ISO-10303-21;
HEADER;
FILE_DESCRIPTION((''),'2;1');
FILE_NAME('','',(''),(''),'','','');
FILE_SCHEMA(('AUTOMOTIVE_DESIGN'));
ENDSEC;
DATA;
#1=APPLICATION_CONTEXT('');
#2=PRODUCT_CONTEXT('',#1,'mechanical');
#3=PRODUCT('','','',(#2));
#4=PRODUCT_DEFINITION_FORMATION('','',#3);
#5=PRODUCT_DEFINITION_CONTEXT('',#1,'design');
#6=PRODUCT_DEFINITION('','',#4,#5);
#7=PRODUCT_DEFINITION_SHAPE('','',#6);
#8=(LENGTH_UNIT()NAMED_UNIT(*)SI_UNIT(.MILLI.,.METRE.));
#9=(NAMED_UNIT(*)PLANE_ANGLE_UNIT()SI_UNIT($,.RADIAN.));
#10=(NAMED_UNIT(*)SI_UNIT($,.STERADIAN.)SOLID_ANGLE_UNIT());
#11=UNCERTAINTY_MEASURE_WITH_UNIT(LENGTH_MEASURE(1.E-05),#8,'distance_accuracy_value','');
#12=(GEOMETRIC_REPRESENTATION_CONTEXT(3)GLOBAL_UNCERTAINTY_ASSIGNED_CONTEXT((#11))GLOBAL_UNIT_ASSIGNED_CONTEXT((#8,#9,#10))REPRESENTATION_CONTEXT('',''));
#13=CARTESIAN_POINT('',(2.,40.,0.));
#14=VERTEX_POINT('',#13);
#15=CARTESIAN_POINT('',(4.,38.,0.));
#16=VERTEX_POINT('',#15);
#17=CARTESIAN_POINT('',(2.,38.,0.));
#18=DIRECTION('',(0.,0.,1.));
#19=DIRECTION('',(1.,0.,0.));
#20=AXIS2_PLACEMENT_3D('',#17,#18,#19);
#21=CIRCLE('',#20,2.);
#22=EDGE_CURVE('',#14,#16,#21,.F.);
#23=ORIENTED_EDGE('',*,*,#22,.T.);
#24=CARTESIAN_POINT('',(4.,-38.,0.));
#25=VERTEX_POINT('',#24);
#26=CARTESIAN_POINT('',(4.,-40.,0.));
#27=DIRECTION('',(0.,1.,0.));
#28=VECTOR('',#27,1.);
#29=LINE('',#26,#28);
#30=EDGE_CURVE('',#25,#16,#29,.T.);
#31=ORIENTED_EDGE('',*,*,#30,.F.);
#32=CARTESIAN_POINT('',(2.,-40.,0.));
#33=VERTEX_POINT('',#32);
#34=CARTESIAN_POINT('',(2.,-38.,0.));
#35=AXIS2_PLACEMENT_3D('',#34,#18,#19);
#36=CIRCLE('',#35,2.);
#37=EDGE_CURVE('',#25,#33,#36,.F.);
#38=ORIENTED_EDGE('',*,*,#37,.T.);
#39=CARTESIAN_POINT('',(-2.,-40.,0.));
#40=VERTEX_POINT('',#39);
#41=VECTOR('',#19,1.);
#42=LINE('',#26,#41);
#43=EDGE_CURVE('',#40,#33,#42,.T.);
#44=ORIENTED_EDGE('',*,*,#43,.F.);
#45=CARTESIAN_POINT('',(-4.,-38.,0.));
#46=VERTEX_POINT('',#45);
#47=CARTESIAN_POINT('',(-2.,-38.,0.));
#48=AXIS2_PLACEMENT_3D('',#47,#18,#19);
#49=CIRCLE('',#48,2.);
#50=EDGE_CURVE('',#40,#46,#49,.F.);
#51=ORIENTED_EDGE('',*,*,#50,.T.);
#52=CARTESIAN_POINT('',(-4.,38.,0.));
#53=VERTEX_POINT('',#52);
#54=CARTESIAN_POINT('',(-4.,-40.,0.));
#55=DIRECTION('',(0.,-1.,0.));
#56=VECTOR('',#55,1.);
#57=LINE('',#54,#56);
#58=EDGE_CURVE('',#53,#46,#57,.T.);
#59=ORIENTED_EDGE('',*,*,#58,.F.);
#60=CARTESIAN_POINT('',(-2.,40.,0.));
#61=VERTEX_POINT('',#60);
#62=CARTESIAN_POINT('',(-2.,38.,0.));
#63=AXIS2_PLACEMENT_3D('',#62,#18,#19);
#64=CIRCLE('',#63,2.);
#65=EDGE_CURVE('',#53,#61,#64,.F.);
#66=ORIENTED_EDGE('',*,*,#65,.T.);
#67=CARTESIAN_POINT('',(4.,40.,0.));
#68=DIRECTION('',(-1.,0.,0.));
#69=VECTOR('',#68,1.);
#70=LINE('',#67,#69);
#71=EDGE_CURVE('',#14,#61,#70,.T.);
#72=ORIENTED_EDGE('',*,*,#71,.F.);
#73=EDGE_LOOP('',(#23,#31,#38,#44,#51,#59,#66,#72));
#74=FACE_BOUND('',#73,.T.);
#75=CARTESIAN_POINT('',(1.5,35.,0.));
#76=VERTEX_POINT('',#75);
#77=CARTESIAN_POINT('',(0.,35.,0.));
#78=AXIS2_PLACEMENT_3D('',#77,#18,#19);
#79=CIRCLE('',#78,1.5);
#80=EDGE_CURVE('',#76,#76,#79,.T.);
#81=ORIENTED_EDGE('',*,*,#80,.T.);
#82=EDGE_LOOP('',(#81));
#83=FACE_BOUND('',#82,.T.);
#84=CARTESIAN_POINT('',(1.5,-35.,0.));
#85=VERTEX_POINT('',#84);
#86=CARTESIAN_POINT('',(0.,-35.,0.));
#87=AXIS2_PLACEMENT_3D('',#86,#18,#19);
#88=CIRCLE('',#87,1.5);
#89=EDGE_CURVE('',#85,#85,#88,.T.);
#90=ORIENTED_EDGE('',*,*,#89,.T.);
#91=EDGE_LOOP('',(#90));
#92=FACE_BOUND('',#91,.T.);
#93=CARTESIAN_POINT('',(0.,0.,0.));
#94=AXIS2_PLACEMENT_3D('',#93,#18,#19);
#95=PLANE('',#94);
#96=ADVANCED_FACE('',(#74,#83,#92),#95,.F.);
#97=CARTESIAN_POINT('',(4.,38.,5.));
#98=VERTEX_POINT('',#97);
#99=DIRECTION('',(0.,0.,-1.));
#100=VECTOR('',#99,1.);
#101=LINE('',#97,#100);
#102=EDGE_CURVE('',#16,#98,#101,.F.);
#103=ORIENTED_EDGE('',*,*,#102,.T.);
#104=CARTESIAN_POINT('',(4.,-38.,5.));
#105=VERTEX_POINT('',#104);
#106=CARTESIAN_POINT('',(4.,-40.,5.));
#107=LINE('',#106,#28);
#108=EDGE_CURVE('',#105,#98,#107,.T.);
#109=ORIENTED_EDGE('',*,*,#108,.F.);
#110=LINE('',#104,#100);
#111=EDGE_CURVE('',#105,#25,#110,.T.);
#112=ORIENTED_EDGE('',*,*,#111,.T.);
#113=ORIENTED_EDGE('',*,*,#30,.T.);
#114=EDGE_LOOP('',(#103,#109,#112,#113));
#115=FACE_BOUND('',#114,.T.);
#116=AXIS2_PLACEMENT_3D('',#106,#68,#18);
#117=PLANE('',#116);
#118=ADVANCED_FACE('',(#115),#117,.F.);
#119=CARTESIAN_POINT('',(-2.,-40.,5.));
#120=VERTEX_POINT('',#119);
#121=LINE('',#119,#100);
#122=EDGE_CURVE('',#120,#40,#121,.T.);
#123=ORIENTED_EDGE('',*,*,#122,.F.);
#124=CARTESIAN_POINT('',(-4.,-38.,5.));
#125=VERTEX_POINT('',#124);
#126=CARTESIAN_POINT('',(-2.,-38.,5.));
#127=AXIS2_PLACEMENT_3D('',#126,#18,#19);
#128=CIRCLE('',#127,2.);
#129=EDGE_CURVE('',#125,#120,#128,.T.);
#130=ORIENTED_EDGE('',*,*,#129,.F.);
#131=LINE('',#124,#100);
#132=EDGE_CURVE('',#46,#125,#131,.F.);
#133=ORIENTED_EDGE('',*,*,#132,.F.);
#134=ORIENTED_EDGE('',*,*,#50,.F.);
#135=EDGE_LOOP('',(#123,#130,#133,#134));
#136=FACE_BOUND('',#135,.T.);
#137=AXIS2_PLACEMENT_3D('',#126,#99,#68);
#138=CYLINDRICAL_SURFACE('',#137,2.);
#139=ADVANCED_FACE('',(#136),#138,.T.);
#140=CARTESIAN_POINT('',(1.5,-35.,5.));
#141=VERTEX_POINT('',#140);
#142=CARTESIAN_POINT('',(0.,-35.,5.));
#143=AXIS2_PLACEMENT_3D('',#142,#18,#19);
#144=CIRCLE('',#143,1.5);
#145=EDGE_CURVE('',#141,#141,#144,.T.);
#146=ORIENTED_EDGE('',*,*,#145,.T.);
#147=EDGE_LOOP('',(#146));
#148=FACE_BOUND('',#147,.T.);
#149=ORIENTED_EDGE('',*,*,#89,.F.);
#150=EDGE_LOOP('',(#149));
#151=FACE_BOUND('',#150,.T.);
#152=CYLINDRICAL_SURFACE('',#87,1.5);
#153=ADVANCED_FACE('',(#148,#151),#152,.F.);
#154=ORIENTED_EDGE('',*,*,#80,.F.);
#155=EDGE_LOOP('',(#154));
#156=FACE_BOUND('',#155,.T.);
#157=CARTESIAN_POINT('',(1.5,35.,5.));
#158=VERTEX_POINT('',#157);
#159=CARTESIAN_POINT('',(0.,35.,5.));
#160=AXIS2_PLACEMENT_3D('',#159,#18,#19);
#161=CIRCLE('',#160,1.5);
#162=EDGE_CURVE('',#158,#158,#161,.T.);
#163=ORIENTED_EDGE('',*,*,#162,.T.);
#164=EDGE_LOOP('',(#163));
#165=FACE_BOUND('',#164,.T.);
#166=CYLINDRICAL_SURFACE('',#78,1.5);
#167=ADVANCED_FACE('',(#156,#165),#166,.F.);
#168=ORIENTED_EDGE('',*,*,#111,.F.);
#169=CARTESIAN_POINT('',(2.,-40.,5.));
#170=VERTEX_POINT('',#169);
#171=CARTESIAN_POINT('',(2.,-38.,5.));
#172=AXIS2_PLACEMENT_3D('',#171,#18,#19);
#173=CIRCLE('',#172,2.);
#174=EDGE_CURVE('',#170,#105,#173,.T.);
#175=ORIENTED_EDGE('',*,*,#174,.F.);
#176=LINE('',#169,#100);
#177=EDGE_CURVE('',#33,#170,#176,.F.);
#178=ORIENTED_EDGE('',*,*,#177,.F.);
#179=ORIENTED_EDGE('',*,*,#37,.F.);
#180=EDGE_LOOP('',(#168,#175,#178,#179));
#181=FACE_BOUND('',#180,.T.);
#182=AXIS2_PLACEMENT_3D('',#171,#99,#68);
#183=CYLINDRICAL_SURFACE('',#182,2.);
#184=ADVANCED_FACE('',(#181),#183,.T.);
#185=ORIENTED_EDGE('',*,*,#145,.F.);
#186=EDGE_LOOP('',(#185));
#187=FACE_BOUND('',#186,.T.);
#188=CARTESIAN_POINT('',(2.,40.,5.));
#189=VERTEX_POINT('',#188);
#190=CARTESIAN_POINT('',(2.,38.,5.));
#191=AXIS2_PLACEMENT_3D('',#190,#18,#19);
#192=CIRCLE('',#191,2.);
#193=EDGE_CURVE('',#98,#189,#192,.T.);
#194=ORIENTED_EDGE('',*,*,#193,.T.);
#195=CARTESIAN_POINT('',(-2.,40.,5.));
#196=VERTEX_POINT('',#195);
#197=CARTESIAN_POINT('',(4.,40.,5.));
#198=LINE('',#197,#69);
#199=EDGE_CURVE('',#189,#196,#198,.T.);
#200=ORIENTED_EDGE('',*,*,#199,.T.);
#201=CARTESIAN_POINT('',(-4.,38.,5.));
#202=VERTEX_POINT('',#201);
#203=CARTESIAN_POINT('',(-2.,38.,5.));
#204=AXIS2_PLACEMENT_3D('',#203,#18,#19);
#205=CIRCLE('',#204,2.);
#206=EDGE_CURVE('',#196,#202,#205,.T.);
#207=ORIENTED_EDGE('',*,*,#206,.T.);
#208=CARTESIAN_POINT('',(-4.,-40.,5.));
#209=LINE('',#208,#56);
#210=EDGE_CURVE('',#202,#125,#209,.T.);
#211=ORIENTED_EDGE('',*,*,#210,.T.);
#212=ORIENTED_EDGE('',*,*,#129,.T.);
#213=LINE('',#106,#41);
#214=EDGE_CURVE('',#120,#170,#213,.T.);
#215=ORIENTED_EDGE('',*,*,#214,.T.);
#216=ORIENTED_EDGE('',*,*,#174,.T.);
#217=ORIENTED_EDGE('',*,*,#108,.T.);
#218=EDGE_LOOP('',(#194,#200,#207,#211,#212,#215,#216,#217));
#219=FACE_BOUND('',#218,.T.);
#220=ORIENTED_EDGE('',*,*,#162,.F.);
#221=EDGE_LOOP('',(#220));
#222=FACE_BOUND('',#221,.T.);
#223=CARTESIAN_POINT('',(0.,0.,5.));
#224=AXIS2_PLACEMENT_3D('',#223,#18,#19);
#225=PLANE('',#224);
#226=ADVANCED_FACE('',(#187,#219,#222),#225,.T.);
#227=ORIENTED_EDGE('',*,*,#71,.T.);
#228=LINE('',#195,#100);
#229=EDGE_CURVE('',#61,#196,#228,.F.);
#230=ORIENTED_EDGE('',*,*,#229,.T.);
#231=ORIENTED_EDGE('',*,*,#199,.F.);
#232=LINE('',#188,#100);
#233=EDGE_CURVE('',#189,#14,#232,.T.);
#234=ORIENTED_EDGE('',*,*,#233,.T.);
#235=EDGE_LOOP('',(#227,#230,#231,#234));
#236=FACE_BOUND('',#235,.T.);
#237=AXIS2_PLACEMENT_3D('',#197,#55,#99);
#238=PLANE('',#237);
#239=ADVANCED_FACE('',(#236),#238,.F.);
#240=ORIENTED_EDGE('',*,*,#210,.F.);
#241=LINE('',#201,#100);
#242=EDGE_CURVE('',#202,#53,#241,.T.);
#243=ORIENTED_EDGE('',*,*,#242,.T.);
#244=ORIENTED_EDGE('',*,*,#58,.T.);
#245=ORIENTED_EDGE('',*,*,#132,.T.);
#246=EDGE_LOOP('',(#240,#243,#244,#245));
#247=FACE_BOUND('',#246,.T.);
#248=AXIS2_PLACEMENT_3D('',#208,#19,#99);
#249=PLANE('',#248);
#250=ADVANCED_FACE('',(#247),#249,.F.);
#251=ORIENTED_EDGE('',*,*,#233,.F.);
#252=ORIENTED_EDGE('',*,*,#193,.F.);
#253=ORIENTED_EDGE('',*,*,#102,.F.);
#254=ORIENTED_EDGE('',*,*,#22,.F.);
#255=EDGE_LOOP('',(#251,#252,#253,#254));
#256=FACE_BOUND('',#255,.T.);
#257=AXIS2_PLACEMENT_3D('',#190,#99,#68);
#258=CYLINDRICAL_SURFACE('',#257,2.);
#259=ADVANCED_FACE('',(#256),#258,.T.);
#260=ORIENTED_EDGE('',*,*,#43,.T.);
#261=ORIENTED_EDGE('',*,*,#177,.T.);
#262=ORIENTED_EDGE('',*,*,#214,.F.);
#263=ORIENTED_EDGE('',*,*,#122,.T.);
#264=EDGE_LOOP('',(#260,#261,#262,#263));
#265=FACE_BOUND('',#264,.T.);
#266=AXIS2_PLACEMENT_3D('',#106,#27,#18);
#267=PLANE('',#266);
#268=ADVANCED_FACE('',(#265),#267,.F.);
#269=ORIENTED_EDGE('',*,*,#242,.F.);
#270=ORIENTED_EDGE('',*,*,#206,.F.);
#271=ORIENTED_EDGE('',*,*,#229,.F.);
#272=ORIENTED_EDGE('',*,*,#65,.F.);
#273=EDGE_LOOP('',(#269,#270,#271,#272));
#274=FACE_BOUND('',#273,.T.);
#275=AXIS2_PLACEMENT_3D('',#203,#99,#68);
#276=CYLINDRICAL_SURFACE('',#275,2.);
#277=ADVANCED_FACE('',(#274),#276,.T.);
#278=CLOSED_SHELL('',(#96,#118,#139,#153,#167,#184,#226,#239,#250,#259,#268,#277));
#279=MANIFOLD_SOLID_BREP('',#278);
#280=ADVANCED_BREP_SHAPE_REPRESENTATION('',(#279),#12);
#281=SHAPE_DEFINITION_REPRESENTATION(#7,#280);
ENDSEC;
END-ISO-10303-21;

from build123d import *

# Parameters (mm, degrees)
SKETCH_1_W          = 8
SKETCH_1_H          = 80
EXTRUDE_1_DEPTH     = 5
SKETCH_2_R          = 1.5
CUT_EXTRUDE_1_DEPTH = 41.509258201
FILLET_1_R          = 2


with BuildPart() as part:
    # 草图1 → 凸台-拉伸1 (new body)
    with BuildSketch(Plane.XY):
        Rectangle(SKETCH_1_W, SKETCH_1_H)
    extrude(amount=EXTRUDE_1_DEPTH)

    # 草图2 → 切除-拉伸1 (cut, through all)
    with BuildSketch(Plane.XY.offset(5)):
        with Locations((0, 35)):
            Circle(SKETCH_2_R)
        with Locations((0, -35)):
            Circle(SKETCH_2_R)
    extrude(amount=-CUT_EXTRUDE_1_DEPTH, mode=Mode.SUBTRACT)

    # 圆角1
    fillet_1_edges = [part.edges().sort_by_distance(p)[0] for p in [
        (-4, 40, 2.5),
        (4, 40, 2.5),
        (4, -40, 2.5),
        (-4, -40, 2.5),
    ]]
    fillet(fillet_1_edges, radius=FILLET_1_R)


solid = part.part
